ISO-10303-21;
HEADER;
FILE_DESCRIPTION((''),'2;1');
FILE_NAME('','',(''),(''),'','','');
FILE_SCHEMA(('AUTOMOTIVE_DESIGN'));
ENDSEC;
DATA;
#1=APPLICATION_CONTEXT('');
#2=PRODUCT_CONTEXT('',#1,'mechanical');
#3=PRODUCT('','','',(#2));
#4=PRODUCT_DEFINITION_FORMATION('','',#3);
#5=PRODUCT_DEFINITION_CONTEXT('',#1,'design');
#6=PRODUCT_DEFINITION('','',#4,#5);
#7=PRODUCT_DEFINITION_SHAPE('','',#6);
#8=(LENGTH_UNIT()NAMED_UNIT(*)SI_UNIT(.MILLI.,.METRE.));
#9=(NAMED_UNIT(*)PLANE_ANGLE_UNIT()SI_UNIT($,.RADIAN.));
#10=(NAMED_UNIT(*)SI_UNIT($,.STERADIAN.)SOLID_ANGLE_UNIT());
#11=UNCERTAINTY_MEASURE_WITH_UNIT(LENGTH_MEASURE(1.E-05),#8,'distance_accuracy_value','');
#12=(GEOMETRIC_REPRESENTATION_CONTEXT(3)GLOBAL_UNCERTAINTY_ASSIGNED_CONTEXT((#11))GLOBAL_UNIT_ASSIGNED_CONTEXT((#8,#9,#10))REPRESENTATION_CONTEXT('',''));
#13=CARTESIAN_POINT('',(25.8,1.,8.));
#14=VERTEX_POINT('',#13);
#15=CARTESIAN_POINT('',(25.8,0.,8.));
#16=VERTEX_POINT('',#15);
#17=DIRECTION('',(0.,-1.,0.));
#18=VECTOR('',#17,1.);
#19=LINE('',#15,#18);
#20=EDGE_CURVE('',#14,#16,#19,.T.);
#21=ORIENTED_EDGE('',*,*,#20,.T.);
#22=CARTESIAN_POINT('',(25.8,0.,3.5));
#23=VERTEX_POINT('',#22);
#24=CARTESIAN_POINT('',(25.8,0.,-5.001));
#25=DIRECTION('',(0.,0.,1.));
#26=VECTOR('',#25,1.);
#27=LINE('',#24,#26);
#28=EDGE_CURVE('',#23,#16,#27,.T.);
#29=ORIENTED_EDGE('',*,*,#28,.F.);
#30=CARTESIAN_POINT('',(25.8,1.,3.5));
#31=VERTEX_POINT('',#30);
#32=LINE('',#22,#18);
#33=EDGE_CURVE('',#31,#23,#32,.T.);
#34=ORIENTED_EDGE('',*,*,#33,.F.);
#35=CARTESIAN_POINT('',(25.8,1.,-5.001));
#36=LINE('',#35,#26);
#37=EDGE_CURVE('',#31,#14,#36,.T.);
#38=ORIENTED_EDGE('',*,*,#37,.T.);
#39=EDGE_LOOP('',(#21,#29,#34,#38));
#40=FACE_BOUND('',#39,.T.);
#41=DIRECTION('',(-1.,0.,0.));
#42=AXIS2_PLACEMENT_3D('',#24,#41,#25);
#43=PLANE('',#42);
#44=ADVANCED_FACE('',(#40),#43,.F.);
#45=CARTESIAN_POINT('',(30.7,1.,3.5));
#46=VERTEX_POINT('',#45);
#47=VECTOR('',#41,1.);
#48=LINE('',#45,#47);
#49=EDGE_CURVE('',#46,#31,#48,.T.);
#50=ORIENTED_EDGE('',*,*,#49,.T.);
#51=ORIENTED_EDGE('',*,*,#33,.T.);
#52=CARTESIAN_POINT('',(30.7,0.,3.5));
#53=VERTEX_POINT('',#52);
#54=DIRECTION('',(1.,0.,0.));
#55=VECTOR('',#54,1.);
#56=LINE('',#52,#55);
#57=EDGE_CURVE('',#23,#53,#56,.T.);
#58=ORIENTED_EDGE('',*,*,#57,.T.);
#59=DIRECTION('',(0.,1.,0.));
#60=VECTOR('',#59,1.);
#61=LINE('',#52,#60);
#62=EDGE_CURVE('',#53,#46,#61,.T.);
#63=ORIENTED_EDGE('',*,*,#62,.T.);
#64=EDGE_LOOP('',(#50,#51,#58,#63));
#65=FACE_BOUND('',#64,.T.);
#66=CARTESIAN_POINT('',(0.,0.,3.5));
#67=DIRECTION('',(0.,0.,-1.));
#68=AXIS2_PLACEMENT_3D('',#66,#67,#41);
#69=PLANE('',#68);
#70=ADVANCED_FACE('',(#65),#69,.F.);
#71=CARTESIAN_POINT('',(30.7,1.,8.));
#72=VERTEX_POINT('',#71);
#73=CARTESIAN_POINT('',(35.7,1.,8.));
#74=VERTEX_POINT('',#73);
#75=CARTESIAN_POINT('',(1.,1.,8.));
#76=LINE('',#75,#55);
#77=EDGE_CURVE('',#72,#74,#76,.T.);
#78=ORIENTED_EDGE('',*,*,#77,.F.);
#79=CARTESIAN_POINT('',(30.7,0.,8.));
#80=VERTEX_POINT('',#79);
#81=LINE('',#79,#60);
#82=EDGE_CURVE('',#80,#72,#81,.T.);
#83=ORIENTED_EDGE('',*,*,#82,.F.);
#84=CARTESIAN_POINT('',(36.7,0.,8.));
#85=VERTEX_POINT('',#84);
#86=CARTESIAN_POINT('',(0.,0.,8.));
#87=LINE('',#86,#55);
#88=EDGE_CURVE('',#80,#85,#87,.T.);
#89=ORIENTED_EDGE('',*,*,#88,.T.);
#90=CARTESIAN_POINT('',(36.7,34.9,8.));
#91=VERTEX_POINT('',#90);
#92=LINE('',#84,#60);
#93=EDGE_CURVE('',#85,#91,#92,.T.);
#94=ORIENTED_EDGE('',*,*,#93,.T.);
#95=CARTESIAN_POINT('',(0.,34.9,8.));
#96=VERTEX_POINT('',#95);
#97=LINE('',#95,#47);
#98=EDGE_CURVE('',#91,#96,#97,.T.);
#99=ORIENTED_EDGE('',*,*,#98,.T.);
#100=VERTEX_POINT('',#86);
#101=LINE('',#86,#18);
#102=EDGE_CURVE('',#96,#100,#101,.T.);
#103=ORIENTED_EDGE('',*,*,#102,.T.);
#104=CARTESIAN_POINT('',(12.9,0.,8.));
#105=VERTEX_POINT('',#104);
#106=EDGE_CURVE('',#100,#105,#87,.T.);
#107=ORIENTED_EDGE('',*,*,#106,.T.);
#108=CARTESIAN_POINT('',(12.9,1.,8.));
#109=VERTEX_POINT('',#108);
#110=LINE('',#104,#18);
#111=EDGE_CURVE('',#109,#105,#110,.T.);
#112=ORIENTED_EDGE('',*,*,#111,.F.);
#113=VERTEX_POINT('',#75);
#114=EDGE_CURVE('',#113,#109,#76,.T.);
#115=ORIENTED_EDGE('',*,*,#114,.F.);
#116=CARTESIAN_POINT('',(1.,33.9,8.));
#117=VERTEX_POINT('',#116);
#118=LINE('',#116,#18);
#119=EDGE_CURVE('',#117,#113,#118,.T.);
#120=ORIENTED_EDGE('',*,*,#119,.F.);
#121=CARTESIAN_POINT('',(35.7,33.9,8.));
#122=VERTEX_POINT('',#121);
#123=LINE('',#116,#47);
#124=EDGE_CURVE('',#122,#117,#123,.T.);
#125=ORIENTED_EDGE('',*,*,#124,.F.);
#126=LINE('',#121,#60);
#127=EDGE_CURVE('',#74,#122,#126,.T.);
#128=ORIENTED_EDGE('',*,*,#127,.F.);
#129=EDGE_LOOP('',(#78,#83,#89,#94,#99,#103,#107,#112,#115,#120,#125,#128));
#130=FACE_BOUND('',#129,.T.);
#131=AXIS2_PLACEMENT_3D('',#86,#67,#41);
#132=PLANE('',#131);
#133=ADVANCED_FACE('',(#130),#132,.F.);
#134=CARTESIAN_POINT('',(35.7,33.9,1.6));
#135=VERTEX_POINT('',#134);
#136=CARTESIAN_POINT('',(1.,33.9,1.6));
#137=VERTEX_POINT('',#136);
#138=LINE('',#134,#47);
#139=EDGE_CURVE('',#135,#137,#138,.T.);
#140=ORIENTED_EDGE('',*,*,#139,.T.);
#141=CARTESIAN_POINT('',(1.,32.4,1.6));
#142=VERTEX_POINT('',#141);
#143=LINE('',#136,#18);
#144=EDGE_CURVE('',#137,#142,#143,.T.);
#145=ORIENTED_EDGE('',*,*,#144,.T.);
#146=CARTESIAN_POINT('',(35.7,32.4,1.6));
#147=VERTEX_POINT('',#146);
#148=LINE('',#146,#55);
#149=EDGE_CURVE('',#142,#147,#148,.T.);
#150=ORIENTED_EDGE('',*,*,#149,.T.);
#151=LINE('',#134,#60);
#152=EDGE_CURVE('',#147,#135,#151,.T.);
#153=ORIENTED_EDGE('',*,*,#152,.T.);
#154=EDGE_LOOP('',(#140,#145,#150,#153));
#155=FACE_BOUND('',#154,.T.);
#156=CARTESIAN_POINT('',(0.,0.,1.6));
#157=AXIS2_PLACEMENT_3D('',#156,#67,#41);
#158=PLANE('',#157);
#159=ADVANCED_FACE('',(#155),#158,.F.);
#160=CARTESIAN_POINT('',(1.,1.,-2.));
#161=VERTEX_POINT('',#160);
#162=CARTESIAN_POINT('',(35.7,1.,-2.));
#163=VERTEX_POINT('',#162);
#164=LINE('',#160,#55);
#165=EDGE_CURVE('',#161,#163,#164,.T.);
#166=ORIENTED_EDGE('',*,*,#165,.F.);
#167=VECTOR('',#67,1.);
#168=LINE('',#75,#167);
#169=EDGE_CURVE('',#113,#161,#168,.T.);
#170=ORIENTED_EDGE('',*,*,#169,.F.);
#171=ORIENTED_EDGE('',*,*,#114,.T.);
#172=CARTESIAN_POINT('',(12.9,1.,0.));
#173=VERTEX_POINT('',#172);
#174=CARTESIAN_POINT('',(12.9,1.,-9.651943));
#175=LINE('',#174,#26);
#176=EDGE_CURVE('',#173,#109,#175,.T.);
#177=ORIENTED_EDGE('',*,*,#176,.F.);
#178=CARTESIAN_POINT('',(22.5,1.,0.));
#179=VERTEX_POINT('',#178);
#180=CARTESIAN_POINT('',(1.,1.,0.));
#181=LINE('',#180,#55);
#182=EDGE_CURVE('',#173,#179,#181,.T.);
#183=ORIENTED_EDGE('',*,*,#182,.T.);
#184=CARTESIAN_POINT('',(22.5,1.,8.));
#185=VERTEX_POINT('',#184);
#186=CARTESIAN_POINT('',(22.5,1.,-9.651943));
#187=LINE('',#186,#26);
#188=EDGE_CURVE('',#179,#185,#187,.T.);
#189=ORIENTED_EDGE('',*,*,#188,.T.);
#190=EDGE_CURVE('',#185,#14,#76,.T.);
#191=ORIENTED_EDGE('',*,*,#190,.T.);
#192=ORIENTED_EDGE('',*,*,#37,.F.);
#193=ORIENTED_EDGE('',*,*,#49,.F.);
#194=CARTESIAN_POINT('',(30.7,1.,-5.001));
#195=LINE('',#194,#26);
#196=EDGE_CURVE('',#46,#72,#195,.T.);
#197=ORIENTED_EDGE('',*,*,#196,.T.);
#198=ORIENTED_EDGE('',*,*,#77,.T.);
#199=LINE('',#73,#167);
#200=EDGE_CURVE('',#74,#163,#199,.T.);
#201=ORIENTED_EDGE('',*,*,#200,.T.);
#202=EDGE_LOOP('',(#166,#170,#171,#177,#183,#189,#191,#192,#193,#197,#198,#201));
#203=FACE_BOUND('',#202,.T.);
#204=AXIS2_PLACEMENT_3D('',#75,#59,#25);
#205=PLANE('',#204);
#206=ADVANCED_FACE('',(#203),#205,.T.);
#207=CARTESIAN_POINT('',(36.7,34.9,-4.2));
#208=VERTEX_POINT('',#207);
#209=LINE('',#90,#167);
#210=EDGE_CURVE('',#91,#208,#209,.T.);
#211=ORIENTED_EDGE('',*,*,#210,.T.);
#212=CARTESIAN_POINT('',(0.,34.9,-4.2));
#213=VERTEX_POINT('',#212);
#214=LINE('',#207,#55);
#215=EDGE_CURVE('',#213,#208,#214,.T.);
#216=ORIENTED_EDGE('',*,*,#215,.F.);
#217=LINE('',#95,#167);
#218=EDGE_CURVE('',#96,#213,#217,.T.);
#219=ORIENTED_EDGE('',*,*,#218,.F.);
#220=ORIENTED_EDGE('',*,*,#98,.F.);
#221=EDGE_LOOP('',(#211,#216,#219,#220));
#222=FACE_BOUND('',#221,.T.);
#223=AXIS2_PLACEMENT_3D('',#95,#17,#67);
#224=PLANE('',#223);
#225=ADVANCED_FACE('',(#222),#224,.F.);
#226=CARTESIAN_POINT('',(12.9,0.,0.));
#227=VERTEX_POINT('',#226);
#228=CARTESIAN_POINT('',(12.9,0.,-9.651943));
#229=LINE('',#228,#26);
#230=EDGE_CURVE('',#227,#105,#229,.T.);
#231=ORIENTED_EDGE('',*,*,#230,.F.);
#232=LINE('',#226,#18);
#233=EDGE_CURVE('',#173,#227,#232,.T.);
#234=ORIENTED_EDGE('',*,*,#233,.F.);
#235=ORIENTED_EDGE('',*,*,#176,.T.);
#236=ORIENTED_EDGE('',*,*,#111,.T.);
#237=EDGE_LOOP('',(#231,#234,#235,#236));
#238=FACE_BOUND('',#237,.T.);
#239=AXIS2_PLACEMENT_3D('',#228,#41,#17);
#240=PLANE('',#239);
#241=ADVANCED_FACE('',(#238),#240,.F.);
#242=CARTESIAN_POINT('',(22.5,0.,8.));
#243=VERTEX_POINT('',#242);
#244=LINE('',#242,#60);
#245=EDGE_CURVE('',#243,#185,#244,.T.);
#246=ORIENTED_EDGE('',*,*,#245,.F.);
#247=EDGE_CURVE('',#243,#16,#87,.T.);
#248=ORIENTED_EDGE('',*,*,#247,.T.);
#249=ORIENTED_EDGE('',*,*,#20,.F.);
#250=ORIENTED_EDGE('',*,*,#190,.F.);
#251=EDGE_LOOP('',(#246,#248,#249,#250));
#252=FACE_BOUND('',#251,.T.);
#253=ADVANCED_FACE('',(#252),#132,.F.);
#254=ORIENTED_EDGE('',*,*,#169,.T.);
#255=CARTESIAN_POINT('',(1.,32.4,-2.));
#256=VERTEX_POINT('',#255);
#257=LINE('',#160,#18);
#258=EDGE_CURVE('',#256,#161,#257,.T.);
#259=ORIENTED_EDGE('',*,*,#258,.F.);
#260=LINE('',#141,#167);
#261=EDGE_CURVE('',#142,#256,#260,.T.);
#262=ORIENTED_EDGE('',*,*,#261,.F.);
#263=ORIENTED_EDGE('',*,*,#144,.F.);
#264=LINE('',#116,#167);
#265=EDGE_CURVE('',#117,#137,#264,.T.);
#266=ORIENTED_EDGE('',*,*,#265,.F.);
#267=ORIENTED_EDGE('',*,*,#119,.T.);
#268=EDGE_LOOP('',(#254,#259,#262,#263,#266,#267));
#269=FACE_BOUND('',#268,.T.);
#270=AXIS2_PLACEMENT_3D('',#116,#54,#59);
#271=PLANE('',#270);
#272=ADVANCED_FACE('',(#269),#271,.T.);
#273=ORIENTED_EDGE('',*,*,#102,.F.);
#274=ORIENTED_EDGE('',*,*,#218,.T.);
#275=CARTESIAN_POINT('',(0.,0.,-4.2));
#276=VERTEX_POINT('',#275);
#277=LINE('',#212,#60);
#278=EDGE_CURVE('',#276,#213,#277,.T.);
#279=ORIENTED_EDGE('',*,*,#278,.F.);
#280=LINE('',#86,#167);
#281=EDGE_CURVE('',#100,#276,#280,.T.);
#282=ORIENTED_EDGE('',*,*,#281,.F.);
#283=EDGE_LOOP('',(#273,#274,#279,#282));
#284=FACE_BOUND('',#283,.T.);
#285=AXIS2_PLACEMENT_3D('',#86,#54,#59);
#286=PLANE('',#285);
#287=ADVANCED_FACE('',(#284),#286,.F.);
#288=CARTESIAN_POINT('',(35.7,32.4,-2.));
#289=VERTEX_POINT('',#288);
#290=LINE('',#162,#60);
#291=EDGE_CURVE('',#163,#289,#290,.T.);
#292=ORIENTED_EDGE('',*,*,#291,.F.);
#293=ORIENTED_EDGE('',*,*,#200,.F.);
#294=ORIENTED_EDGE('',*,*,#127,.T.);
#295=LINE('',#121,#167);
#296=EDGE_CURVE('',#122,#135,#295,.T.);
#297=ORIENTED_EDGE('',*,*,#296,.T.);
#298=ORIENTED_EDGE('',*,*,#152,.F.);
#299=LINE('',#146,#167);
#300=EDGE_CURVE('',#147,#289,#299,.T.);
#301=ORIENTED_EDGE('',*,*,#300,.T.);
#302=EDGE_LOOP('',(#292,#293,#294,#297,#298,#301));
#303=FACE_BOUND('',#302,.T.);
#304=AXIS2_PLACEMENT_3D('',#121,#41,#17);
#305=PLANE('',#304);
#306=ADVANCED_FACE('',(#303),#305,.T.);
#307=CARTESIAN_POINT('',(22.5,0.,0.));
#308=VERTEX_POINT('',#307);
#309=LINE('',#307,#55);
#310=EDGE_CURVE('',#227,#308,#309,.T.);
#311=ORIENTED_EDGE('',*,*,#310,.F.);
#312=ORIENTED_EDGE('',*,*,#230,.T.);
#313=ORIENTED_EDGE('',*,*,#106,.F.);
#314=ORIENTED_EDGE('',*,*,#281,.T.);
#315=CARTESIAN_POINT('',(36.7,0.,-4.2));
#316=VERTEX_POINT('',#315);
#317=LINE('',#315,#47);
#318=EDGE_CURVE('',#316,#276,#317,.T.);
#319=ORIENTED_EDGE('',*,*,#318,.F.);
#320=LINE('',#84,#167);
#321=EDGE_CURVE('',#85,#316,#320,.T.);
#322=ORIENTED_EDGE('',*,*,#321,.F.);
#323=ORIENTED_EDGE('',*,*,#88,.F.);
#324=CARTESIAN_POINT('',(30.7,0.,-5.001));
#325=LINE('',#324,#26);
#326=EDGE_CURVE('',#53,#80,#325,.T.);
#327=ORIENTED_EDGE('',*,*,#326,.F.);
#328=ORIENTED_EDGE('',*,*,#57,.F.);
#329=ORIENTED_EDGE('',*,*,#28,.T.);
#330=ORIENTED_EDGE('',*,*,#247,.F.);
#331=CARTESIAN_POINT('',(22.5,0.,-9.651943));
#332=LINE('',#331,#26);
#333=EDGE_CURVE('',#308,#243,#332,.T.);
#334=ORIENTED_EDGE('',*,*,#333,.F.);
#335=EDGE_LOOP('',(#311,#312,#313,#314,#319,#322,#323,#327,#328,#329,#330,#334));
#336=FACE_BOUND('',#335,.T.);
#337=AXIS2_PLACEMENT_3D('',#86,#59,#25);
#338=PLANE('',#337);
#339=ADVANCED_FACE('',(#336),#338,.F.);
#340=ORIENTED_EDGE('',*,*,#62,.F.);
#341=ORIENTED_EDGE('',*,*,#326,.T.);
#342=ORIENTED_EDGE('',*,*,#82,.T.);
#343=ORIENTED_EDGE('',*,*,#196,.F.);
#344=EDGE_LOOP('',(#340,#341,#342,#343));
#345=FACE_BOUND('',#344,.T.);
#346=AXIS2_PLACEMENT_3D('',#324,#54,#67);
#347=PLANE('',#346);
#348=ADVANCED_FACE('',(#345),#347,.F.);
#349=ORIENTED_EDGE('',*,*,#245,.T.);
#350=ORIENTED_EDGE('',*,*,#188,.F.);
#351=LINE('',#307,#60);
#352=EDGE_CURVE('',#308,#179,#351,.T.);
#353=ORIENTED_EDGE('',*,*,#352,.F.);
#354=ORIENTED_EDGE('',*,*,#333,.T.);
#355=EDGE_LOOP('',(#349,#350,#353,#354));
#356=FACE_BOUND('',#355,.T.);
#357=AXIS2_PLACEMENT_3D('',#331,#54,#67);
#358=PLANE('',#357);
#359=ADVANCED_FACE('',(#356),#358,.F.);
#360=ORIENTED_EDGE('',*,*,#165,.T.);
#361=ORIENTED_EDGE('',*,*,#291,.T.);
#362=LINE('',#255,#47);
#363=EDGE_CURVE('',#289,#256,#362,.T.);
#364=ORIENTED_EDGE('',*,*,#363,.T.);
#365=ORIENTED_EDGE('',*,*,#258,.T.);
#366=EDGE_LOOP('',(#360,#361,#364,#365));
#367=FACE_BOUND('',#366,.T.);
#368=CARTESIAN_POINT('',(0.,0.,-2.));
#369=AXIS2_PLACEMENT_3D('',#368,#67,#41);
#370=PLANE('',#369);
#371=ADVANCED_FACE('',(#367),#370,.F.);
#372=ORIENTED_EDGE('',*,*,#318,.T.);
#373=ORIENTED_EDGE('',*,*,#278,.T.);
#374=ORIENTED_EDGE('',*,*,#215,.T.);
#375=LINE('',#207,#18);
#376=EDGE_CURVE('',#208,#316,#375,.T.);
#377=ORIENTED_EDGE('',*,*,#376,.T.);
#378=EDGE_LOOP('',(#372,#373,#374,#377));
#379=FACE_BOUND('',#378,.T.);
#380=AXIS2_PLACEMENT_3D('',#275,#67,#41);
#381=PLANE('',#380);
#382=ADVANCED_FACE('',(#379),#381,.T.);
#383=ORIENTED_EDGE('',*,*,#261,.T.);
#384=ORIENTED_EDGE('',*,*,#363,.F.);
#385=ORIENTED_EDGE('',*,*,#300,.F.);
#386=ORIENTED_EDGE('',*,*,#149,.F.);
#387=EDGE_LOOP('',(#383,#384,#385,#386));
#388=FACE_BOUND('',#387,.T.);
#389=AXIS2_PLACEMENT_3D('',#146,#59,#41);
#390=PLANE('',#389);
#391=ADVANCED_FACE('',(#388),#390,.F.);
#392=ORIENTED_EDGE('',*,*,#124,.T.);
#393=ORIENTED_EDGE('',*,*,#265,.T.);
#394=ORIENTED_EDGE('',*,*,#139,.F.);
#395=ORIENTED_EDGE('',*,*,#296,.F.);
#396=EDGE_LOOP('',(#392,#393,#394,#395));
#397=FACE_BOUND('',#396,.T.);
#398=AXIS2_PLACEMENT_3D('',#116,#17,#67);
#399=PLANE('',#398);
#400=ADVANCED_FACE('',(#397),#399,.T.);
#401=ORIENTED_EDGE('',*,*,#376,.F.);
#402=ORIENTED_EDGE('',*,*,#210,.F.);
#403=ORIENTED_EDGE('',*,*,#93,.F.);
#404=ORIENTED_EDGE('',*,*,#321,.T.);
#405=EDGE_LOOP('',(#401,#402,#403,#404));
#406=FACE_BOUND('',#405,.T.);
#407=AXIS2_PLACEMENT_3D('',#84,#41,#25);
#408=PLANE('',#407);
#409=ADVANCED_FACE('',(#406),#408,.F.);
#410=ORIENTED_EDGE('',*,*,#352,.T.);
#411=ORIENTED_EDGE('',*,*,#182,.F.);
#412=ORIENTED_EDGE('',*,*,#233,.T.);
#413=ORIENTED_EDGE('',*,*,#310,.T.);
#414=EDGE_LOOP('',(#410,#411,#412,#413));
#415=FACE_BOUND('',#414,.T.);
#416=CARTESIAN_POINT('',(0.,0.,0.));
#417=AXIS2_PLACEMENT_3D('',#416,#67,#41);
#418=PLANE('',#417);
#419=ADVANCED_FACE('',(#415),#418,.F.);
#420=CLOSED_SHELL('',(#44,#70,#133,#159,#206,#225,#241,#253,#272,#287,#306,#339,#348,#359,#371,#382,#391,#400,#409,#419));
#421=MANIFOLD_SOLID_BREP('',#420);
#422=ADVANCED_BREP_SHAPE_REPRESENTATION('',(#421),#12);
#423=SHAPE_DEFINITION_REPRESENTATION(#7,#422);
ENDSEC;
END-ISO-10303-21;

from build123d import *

# Parameters (mm, degrees)
SKETCH1_W           = 36.7
SKETCH1_H           = 34.9
SKETCH1_W_2         = 34.7
SKETCH1_H_2         = 32.9
BOSS_EXTRUDE1_DEPTH = 8
SKETCH2_W           = 36.7
SKETCH2_H           = 34.9
BOSS_EXTRUDE2_DEPTH = 4.2
SKETCH3_W           = 4.9
SKETCH3_H           = 1
CUT_EXTRUDE1_DEPTH  = 4.5
SKETCH4_W           = 9.6
SKETCH4_H           = 1
CUT_EXTRUDE2_DEPTH  = 8
SKETCH5_W           = 34.7
SKETCH5_H           = 1.5
BOSS_EXTRUDE3_DEPTH = 1.6
SKETCH6_W           = 34.7
SKETCH6_H           = 31.4
CUT_EXTRUDE3_DEPTH  = 2


with BuildPart() as part:
    # Sketch1 → Boss-Extrude1 (new body)
    with BuildSketch(Plane.XY):
        with Locations((18.35, 17.45)):
            Rectangle(SKETCH1_W, SKETCH1_H)
        with Locations((18.35, 17.45)):
            Rectangle(SKETCH1_W_2, SKETCH1_H_2, mode=Mode.SUBTRACT)
    extrude(amount=BOSS_EXTRUDE1_DEPTH)

    # Sketch2 → Boss-Extrude2 (add)
    with BuildSketch(Plane(origin=(0, 0, 0), x_dir=(-1, 0, 0), z_dir=(0, 0, -1))):
        with Locations((-18.35, 17.45)):
            Rectangle(SKETCH2_W, SKETCH2_H)
    extrude(amount=BOSS_EXTRUDE2_DEPTH)

    # Sketch3 → Cut-Extrude1 (cut)
    with BuildSketch(Plane.XY.offset(8)):
        with Locations((28.25, 0.5)):
            Rectangle(SKETCH3_W, SKETCH3_H)
    extrude(amount=-CUT_EXTRUDE1_DEPTH, mode=Mode.SUBTRACT)

    # Sketch4 → Cut-Extrude2 (cut)
    with BuildSketch(Plane.XY.offset(8)):
        with Locations((17.7, 0.5)):
            Rectangle(SKETCH4_W, SKETCH4_H)
    extrude(amount=-CUT_EXTRUDE2_DEPTH, mode=Mode.SUBTRACT)

    # Sketch5 → Boss-Extrude3 (add)
    with BuildSketch(Plane.XY):
        with Locations((18.35, 33.15)):
            Rectangle(SKETCH5_W, SKETCH5_H)
    extrude(amount=BOSS_EXTRUDE3_DEPTH)

    # Sketch6 → Cut-Extrude3 (cut)
    with BuildSketch(Plane.XY):
        with Locations((18.35, 16.7)):
            Rectangle(SKETCH6_W, SKETCH6_H)
    extrude(amount=-CUT_EXTRUDE3_DEPTH, mode=Mode.SUBTRACT)


solid = part.part
